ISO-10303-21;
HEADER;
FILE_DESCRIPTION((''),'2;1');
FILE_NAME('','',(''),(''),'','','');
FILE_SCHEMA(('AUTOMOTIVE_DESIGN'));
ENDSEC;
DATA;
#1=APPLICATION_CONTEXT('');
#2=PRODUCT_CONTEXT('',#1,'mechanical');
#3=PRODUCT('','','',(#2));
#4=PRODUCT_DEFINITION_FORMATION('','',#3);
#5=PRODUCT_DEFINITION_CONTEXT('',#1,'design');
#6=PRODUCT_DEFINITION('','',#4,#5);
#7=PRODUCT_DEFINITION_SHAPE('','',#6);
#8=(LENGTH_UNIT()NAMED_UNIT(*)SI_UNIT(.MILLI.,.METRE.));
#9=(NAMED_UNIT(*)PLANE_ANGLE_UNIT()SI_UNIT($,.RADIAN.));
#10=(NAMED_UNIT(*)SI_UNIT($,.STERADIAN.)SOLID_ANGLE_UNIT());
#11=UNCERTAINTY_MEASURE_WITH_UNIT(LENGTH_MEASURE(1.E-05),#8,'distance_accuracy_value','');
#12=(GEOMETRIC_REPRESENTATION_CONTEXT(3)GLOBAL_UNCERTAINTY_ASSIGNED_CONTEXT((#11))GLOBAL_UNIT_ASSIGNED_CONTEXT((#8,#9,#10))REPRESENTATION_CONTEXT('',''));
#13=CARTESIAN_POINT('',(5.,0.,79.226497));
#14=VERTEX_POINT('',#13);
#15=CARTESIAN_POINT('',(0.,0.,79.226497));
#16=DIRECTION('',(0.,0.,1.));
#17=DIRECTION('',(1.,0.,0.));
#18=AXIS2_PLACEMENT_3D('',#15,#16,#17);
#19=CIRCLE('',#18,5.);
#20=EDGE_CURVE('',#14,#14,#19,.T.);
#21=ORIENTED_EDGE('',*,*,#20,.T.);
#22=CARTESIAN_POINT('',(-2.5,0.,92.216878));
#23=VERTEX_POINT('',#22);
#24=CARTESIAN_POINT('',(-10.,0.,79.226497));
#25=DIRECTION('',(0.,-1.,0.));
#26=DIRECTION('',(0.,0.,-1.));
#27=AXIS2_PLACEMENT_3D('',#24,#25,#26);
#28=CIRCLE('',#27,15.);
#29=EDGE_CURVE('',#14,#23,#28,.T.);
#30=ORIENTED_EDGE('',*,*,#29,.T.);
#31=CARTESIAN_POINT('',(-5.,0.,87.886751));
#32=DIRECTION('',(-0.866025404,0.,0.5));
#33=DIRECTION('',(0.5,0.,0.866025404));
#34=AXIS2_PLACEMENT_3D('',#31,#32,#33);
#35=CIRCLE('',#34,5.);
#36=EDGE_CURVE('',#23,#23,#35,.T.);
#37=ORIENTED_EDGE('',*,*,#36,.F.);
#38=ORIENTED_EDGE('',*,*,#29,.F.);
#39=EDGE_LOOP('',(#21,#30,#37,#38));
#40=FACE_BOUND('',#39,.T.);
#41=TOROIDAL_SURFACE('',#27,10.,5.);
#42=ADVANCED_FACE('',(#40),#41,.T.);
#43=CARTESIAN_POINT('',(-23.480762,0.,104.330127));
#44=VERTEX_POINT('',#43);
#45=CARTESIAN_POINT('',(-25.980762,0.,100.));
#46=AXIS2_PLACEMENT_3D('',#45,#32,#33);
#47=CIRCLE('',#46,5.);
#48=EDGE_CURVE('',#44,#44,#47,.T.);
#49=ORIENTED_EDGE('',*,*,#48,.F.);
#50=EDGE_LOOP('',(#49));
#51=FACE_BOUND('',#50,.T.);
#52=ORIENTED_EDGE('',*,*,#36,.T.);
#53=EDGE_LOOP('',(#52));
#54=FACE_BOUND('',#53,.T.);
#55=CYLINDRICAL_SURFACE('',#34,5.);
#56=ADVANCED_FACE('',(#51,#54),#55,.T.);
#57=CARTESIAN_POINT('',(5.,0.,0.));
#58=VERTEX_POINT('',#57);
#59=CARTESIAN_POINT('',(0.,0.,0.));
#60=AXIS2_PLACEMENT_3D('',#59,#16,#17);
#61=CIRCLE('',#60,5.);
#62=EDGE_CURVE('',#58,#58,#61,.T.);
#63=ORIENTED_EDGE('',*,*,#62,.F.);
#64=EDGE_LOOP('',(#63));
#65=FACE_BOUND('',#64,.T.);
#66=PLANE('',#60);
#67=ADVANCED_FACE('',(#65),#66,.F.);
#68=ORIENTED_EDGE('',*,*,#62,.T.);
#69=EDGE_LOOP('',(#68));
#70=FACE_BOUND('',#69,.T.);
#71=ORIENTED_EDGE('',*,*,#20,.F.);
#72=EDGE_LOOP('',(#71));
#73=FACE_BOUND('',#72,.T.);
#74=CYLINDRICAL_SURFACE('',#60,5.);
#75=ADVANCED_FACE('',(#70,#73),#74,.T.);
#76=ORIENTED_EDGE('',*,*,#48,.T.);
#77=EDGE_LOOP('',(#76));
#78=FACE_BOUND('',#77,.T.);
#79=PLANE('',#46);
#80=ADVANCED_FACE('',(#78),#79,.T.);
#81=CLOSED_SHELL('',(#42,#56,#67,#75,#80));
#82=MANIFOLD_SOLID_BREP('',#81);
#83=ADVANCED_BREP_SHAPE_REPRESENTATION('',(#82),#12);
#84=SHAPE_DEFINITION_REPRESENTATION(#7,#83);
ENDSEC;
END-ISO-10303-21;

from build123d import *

# Parameters (mm, degrees)
SKETCH1_R = 5


with BuildPart() as part:
    # Sweep1: sweep along a path in Sketch4
    with BuildLine(Plane(origin=(0, 0, 0), x_dir=(1, 0, 0), z_dir=(0, 1, 0))) as sweep1_path:
        Line((0, 0), (0, -79.226497308))
        ThreePointArc((0, -79.226497308), (-1.339745962, -84.226497308), (-5, -87.886751346))
        Line((-5, -87.886751346), (-25.980762114, -100))
    # Sketch1 → Sweep1 (sweep)
    with BuildSketch(Plane.XY):
        Circle(SKETCH1_R)
    sweep(path=sweep1_path.line)


solid = part.part
